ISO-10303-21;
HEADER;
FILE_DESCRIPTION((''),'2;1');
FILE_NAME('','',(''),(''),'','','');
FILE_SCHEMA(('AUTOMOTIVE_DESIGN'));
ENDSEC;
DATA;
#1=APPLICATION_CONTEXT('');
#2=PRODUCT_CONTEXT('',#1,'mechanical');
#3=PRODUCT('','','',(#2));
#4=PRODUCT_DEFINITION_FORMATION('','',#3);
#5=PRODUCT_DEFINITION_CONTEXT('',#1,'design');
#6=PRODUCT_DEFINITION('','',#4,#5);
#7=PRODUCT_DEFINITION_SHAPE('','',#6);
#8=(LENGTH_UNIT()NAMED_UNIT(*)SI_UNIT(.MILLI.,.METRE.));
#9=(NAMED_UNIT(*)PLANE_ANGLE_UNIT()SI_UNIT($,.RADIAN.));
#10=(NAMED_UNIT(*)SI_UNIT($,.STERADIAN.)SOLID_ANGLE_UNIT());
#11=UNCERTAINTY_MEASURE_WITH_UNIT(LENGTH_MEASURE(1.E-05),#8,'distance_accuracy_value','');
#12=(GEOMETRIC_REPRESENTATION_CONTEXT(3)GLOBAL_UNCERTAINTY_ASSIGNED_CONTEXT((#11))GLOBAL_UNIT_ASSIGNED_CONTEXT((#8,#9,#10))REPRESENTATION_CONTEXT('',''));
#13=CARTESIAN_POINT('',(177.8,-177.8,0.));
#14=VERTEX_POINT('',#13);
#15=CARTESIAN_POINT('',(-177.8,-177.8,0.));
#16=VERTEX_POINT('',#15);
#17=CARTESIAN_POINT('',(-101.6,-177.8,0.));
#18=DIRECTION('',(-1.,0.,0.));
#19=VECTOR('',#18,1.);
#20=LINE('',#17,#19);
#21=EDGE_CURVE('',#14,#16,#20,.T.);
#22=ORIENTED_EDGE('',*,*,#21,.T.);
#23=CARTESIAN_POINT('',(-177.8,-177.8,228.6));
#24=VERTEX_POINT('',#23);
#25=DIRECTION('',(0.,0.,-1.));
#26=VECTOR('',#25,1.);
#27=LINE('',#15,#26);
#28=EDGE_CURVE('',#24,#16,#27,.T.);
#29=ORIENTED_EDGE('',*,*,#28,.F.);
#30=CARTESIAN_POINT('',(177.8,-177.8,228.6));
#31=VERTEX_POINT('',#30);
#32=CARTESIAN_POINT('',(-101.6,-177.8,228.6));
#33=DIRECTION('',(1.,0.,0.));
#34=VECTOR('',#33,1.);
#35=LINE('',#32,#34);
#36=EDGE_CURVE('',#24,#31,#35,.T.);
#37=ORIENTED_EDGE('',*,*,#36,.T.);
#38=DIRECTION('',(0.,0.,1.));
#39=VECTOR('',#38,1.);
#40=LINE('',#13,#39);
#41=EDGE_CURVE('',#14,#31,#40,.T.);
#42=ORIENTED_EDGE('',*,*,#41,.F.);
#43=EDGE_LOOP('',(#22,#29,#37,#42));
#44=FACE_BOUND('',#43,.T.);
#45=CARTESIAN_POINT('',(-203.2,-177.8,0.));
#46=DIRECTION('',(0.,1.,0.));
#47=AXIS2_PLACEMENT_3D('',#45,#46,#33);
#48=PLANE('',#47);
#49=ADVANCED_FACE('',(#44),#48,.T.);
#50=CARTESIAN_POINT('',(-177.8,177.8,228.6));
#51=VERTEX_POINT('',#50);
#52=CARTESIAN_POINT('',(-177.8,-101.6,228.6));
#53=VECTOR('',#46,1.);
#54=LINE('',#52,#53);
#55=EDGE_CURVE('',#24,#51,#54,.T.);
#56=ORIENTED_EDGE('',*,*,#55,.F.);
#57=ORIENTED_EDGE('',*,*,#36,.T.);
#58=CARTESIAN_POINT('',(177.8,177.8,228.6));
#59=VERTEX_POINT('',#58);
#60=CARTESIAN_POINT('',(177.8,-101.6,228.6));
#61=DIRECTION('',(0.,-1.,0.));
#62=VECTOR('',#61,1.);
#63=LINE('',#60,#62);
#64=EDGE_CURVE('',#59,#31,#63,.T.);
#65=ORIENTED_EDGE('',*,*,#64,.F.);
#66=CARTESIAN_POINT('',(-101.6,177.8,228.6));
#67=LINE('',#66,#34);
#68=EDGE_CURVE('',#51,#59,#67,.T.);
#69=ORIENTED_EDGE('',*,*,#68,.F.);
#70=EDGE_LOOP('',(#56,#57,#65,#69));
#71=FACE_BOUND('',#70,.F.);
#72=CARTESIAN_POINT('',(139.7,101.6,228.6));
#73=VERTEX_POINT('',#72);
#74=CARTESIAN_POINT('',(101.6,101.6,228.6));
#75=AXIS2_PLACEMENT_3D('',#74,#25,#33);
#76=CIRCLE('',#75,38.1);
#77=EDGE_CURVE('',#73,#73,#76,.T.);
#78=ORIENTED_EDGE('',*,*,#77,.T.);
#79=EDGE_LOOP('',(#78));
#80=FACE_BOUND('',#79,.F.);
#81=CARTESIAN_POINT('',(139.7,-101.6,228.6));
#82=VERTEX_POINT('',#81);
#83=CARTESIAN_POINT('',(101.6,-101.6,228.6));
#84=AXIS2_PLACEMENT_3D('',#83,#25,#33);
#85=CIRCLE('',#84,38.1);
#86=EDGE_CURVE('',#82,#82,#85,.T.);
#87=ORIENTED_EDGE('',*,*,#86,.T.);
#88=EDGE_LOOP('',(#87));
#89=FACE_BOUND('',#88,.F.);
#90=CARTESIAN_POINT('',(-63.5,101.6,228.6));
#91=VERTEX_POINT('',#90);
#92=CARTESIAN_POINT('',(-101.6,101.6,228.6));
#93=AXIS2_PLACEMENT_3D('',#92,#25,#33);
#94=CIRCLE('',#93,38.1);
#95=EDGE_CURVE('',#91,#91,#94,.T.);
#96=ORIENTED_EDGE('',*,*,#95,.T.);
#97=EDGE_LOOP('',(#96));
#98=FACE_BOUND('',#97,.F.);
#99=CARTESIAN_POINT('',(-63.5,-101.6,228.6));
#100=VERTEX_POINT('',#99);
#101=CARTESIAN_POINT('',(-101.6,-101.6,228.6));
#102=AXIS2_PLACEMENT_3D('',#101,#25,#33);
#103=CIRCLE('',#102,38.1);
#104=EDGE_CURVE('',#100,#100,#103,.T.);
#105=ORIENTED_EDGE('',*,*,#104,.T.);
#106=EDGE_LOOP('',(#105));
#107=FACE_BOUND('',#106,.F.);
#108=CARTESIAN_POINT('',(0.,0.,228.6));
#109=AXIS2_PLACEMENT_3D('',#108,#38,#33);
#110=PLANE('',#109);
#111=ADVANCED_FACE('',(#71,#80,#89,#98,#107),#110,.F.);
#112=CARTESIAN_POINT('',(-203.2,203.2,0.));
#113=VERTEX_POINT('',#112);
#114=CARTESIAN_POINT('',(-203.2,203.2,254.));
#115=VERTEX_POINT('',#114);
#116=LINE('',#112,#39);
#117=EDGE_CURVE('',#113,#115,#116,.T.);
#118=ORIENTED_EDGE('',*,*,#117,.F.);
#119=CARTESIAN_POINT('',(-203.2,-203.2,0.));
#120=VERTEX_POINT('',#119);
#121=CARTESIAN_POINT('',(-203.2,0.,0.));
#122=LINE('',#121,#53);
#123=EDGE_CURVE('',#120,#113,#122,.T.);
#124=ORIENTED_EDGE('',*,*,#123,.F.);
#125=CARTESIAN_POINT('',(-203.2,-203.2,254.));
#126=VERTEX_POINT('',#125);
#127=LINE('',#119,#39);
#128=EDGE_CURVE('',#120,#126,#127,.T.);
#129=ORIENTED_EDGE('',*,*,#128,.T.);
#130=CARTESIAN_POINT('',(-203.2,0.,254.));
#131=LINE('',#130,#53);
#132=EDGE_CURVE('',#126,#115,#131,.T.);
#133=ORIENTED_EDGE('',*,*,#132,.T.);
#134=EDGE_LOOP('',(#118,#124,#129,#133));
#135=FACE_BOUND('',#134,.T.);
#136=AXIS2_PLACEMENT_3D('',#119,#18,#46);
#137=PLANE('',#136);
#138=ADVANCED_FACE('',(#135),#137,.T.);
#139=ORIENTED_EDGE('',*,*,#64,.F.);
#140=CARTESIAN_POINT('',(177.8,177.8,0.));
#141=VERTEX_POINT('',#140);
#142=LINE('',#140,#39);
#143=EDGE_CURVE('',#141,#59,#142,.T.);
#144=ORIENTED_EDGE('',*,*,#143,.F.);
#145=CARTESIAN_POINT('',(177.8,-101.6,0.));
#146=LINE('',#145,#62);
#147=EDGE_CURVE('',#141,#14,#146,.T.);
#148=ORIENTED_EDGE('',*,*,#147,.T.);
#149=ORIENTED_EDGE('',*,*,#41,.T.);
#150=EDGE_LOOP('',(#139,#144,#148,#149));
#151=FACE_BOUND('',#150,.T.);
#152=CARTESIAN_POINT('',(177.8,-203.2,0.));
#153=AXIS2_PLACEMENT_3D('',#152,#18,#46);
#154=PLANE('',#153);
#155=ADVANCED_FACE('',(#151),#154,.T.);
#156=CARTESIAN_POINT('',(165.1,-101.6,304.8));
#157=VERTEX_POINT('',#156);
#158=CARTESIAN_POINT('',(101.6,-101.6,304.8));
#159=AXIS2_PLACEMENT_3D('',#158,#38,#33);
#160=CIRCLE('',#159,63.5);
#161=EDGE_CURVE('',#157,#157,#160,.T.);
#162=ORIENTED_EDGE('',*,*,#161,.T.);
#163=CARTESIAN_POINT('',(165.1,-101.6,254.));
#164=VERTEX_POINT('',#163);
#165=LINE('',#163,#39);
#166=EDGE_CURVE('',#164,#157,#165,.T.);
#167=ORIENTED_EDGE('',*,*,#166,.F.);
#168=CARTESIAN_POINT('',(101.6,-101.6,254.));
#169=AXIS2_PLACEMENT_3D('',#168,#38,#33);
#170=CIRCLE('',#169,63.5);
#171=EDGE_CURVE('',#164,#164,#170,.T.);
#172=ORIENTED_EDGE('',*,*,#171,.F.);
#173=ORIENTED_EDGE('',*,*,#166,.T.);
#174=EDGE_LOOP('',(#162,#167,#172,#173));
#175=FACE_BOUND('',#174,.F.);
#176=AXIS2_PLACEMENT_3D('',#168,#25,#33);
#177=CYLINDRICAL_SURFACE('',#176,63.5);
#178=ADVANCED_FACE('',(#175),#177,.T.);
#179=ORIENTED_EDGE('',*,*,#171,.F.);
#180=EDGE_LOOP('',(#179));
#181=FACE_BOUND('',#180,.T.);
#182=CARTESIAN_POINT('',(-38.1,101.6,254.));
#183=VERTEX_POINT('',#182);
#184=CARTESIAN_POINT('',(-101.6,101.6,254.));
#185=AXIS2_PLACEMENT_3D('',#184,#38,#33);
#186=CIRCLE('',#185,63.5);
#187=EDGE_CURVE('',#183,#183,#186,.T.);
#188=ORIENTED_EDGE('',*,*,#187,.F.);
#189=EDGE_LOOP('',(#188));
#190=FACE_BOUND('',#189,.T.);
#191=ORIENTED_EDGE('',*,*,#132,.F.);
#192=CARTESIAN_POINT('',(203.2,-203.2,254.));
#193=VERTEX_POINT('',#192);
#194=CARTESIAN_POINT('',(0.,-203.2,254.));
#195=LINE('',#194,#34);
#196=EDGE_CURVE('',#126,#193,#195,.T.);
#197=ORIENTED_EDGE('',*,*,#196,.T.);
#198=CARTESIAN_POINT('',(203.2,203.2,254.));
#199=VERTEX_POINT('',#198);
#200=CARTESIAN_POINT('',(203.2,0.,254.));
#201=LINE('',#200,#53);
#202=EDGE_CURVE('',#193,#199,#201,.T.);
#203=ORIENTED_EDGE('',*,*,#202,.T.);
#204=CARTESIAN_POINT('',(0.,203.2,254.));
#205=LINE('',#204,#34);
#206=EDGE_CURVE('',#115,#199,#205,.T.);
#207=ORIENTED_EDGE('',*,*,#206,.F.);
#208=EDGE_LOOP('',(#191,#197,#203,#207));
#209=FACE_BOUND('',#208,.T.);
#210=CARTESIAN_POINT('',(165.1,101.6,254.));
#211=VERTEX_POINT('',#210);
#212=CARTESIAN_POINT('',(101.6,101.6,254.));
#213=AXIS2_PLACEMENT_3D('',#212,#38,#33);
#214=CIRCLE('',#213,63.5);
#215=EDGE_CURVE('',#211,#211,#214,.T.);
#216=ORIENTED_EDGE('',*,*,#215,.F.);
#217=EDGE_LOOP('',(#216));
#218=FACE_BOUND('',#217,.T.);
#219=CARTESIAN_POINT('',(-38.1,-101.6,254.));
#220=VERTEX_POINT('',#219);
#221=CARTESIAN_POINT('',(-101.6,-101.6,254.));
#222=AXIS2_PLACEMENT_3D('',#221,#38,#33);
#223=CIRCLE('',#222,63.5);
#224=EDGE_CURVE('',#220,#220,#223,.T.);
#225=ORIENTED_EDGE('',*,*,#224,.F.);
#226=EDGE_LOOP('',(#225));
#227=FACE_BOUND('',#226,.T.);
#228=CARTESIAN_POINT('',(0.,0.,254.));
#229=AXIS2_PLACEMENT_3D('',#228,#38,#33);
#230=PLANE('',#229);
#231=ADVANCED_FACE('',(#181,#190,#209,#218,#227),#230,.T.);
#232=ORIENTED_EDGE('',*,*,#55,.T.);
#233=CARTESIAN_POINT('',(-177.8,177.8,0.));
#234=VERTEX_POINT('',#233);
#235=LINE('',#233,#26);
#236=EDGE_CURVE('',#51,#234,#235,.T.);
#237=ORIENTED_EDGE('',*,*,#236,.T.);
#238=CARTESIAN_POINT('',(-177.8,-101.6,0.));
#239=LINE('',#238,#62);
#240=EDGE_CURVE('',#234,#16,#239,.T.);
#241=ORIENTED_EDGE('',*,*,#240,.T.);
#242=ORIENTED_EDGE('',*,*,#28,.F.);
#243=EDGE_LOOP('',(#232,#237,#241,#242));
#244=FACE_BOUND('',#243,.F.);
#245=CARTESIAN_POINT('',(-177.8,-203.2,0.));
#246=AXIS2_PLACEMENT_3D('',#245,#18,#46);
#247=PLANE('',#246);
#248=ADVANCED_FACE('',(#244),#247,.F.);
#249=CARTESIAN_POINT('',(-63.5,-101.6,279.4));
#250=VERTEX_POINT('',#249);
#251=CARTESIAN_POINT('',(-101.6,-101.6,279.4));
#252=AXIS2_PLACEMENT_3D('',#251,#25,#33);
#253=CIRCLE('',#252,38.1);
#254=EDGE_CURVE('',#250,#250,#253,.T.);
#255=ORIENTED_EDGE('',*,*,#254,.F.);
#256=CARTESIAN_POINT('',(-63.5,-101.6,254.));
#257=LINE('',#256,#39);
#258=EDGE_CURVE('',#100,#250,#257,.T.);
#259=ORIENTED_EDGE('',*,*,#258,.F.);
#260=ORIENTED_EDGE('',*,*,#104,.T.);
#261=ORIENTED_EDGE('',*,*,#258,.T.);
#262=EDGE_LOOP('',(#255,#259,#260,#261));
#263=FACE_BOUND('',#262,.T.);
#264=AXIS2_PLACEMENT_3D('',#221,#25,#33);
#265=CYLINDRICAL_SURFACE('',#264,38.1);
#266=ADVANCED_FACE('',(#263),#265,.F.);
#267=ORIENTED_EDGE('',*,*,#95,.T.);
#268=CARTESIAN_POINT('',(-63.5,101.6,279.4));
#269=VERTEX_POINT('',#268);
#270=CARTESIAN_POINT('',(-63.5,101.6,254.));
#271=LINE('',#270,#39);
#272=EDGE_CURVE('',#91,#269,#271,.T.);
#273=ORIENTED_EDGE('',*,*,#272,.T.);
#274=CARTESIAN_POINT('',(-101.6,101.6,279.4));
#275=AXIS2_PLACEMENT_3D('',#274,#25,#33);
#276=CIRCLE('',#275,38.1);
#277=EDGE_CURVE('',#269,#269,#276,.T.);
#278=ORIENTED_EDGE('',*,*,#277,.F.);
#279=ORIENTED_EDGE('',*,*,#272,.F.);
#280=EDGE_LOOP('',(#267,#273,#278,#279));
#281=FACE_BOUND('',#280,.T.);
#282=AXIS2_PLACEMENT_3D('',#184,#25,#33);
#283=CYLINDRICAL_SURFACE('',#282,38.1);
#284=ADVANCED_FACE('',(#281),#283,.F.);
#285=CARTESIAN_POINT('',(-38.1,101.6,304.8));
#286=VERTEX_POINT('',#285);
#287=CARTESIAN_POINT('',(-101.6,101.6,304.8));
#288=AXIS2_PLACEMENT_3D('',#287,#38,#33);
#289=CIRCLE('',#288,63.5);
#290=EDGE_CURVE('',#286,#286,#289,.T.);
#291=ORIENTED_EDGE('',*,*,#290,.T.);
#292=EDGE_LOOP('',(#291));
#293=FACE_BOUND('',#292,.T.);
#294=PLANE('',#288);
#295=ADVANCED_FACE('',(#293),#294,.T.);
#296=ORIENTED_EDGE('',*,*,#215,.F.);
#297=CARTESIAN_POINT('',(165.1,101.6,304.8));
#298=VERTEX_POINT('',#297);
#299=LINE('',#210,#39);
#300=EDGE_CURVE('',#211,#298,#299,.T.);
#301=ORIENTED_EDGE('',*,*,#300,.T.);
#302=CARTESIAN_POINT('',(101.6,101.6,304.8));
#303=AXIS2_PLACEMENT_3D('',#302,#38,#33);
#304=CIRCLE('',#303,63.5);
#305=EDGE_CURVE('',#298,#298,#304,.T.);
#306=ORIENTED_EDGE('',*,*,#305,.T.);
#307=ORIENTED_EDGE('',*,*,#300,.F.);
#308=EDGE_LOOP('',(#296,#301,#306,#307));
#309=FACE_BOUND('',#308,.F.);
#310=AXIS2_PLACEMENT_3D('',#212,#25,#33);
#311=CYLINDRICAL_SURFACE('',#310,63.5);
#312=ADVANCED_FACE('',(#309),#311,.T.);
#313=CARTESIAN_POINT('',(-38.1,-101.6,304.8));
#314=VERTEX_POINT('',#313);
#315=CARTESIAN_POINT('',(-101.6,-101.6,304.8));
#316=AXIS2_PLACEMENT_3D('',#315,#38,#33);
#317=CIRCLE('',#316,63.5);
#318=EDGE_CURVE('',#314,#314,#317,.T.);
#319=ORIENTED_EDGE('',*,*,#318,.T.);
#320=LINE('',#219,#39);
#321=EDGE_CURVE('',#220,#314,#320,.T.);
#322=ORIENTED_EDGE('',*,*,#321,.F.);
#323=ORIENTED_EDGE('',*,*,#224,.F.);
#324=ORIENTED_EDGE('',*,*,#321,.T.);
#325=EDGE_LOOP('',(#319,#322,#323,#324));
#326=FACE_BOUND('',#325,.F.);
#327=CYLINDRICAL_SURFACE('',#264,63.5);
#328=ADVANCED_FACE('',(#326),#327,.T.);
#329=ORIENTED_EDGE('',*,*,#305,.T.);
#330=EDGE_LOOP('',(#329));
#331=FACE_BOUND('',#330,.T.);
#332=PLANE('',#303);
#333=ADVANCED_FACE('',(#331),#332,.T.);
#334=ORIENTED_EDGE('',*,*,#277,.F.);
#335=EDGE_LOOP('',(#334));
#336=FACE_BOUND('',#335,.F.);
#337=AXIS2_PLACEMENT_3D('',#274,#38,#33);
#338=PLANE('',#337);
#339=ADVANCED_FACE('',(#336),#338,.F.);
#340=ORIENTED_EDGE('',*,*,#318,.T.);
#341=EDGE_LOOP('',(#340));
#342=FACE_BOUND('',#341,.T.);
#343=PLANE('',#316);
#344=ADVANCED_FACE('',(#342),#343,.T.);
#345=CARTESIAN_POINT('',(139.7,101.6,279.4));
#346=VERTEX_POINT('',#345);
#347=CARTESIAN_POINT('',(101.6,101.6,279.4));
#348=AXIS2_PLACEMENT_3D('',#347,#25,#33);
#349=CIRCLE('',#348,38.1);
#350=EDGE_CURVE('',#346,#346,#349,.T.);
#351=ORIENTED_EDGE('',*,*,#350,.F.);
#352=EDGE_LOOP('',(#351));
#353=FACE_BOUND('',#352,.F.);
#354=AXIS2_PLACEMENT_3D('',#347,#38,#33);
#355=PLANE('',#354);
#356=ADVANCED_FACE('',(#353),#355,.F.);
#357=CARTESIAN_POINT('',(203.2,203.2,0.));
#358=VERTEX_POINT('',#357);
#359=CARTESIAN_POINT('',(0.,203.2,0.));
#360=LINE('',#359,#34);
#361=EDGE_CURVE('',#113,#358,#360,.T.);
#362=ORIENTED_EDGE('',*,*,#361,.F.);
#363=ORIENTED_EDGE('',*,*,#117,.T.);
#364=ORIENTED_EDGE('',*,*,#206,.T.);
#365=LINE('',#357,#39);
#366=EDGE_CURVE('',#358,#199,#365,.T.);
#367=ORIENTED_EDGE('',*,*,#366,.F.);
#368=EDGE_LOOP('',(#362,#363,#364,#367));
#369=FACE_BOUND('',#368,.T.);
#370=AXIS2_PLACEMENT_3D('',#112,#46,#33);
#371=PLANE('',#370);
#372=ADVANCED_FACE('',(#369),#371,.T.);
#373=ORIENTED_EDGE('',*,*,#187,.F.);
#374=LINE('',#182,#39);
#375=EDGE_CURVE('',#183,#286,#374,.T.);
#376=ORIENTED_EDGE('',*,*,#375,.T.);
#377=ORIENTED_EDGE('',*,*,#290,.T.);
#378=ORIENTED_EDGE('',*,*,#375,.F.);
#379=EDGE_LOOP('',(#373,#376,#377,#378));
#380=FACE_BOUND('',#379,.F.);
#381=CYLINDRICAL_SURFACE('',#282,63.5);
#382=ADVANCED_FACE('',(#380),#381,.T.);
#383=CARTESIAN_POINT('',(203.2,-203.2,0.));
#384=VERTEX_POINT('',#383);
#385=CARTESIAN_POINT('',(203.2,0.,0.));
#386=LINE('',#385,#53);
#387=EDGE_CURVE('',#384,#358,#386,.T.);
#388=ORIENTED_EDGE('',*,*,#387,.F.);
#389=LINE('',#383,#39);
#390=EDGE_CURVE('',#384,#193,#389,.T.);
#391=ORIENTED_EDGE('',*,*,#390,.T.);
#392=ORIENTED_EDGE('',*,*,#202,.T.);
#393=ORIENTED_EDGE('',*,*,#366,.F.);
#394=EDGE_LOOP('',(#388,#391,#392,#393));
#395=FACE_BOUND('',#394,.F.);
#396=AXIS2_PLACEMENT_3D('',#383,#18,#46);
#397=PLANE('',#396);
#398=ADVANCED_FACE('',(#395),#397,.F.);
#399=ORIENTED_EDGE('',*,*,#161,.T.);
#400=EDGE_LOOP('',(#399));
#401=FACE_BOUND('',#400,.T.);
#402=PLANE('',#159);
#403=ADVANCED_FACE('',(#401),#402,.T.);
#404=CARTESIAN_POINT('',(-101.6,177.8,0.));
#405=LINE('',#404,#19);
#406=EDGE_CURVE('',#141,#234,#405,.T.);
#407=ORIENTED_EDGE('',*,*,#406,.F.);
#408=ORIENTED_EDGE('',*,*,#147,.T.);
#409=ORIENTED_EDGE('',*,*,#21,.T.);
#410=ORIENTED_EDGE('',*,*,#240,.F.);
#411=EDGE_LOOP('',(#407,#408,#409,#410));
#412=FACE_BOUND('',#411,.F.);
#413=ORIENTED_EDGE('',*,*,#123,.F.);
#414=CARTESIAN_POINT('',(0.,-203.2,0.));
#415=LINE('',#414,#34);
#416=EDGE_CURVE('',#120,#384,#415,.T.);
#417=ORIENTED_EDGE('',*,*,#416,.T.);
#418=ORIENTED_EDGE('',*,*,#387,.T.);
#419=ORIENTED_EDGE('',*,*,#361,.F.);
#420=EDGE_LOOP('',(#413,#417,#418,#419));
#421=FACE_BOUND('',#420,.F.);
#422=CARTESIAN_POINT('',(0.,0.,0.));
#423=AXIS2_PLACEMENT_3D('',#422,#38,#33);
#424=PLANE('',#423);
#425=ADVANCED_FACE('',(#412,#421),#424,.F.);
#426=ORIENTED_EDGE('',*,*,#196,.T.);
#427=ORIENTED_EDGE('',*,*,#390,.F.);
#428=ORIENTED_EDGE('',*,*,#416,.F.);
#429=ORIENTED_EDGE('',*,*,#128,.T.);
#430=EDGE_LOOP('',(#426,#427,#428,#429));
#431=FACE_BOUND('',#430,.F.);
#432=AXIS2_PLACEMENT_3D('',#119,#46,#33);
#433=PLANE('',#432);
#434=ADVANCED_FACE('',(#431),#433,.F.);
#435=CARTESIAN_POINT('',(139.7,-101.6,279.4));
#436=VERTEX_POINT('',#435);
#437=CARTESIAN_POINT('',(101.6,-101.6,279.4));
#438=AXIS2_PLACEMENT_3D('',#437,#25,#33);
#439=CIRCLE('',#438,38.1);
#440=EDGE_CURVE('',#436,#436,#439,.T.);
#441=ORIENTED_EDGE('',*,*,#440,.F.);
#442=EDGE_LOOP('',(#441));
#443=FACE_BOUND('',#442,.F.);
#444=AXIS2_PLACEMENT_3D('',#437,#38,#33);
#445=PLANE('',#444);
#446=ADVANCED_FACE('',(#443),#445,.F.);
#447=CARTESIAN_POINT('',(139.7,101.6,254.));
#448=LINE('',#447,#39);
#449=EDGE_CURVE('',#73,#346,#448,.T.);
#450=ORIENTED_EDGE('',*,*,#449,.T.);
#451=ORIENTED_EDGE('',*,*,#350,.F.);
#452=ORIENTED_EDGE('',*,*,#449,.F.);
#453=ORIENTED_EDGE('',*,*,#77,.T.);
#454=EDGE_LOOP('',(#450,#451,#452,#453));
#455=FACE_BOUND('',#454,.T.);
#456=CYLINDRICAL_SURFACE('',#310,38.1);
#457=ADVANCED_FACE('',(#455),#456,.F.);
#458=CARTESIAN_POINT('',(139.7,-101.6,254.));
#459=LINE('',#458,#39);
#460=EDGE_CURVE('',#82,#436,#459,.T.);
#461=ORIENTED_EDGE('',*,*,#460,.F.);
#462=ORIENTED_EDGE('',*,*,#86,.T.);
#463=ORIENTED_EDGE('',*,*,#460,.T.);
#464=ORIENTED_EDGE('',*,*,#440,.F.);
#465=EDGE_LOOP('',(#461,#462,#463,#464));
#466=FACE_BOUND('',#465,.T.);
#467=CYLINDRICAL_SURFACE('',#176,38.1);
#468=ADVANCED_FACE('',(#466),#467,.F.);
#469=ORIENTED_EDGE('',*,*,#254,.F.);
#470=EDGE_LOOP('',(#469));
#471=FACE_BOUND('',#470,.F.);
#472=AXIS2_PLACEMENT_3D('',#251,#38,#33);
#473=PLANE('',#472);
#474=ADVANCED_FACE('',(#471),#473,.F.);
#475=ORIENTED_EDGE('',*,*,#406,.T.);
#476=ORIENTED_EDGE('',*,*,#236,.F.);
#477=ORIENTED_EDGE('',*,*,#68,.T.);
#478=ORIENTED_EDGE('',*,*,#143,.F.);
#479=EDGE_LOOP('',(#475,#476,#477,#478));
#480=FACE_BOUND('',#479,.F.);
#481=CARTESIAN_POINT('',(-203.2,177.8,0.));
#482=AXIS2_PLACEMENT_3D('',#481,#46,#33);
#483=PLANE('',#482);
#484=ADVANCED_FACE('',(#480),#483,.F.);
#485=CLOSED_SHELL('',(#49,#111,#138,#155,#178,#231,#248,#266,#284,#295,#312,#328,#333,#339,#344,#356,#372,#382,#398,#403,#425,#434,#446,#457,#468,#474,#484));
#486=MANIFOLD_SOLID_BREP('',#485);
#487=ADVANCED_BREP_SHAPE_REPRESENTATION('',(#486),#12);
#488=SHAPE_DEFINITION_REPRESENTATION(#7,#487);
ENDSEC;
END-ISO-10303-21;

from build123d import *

# Parameters (mm, degrees)
F0_W     = 406.4
F0_H     = 406.4
F1_DEPTH = 254
F2_R     = 63.5
F3_DEPTH = 50.8
F4_T     = -25.4


with BuildPart() as f1:
    # F0 (on Top) → F1 (new body)
    with BuildSketch(Plane.XY):
        Rectangle(F0_W, F0_H)
    extrude(amount=F1_DEPTH)

    # F2 (on face) → F3 (join)
    with BuildSketch(Plane.XY.offset(254)):
        with Locations((101.6, 101.6)):
            Circle(F2_R)
        with Locations((101.6, -101.6)):
            Circle(F2_R)
        with Locations((-101.6, -101.6)):
            Circle(F2_R)
        with Locations((-101.6, 101.6)):
            Circle(F2_R)
    extrude(amount=F3_DEPTH)

    # F4
    f4_openings = [f1.faces().sort_by_distance(p)[0] for p in [
        (0, 0, 0),
    ]]
    offset(amount=F4_T, openings=f4_openings, kind=Kind.INTERSECTION)


solid = f1.part
